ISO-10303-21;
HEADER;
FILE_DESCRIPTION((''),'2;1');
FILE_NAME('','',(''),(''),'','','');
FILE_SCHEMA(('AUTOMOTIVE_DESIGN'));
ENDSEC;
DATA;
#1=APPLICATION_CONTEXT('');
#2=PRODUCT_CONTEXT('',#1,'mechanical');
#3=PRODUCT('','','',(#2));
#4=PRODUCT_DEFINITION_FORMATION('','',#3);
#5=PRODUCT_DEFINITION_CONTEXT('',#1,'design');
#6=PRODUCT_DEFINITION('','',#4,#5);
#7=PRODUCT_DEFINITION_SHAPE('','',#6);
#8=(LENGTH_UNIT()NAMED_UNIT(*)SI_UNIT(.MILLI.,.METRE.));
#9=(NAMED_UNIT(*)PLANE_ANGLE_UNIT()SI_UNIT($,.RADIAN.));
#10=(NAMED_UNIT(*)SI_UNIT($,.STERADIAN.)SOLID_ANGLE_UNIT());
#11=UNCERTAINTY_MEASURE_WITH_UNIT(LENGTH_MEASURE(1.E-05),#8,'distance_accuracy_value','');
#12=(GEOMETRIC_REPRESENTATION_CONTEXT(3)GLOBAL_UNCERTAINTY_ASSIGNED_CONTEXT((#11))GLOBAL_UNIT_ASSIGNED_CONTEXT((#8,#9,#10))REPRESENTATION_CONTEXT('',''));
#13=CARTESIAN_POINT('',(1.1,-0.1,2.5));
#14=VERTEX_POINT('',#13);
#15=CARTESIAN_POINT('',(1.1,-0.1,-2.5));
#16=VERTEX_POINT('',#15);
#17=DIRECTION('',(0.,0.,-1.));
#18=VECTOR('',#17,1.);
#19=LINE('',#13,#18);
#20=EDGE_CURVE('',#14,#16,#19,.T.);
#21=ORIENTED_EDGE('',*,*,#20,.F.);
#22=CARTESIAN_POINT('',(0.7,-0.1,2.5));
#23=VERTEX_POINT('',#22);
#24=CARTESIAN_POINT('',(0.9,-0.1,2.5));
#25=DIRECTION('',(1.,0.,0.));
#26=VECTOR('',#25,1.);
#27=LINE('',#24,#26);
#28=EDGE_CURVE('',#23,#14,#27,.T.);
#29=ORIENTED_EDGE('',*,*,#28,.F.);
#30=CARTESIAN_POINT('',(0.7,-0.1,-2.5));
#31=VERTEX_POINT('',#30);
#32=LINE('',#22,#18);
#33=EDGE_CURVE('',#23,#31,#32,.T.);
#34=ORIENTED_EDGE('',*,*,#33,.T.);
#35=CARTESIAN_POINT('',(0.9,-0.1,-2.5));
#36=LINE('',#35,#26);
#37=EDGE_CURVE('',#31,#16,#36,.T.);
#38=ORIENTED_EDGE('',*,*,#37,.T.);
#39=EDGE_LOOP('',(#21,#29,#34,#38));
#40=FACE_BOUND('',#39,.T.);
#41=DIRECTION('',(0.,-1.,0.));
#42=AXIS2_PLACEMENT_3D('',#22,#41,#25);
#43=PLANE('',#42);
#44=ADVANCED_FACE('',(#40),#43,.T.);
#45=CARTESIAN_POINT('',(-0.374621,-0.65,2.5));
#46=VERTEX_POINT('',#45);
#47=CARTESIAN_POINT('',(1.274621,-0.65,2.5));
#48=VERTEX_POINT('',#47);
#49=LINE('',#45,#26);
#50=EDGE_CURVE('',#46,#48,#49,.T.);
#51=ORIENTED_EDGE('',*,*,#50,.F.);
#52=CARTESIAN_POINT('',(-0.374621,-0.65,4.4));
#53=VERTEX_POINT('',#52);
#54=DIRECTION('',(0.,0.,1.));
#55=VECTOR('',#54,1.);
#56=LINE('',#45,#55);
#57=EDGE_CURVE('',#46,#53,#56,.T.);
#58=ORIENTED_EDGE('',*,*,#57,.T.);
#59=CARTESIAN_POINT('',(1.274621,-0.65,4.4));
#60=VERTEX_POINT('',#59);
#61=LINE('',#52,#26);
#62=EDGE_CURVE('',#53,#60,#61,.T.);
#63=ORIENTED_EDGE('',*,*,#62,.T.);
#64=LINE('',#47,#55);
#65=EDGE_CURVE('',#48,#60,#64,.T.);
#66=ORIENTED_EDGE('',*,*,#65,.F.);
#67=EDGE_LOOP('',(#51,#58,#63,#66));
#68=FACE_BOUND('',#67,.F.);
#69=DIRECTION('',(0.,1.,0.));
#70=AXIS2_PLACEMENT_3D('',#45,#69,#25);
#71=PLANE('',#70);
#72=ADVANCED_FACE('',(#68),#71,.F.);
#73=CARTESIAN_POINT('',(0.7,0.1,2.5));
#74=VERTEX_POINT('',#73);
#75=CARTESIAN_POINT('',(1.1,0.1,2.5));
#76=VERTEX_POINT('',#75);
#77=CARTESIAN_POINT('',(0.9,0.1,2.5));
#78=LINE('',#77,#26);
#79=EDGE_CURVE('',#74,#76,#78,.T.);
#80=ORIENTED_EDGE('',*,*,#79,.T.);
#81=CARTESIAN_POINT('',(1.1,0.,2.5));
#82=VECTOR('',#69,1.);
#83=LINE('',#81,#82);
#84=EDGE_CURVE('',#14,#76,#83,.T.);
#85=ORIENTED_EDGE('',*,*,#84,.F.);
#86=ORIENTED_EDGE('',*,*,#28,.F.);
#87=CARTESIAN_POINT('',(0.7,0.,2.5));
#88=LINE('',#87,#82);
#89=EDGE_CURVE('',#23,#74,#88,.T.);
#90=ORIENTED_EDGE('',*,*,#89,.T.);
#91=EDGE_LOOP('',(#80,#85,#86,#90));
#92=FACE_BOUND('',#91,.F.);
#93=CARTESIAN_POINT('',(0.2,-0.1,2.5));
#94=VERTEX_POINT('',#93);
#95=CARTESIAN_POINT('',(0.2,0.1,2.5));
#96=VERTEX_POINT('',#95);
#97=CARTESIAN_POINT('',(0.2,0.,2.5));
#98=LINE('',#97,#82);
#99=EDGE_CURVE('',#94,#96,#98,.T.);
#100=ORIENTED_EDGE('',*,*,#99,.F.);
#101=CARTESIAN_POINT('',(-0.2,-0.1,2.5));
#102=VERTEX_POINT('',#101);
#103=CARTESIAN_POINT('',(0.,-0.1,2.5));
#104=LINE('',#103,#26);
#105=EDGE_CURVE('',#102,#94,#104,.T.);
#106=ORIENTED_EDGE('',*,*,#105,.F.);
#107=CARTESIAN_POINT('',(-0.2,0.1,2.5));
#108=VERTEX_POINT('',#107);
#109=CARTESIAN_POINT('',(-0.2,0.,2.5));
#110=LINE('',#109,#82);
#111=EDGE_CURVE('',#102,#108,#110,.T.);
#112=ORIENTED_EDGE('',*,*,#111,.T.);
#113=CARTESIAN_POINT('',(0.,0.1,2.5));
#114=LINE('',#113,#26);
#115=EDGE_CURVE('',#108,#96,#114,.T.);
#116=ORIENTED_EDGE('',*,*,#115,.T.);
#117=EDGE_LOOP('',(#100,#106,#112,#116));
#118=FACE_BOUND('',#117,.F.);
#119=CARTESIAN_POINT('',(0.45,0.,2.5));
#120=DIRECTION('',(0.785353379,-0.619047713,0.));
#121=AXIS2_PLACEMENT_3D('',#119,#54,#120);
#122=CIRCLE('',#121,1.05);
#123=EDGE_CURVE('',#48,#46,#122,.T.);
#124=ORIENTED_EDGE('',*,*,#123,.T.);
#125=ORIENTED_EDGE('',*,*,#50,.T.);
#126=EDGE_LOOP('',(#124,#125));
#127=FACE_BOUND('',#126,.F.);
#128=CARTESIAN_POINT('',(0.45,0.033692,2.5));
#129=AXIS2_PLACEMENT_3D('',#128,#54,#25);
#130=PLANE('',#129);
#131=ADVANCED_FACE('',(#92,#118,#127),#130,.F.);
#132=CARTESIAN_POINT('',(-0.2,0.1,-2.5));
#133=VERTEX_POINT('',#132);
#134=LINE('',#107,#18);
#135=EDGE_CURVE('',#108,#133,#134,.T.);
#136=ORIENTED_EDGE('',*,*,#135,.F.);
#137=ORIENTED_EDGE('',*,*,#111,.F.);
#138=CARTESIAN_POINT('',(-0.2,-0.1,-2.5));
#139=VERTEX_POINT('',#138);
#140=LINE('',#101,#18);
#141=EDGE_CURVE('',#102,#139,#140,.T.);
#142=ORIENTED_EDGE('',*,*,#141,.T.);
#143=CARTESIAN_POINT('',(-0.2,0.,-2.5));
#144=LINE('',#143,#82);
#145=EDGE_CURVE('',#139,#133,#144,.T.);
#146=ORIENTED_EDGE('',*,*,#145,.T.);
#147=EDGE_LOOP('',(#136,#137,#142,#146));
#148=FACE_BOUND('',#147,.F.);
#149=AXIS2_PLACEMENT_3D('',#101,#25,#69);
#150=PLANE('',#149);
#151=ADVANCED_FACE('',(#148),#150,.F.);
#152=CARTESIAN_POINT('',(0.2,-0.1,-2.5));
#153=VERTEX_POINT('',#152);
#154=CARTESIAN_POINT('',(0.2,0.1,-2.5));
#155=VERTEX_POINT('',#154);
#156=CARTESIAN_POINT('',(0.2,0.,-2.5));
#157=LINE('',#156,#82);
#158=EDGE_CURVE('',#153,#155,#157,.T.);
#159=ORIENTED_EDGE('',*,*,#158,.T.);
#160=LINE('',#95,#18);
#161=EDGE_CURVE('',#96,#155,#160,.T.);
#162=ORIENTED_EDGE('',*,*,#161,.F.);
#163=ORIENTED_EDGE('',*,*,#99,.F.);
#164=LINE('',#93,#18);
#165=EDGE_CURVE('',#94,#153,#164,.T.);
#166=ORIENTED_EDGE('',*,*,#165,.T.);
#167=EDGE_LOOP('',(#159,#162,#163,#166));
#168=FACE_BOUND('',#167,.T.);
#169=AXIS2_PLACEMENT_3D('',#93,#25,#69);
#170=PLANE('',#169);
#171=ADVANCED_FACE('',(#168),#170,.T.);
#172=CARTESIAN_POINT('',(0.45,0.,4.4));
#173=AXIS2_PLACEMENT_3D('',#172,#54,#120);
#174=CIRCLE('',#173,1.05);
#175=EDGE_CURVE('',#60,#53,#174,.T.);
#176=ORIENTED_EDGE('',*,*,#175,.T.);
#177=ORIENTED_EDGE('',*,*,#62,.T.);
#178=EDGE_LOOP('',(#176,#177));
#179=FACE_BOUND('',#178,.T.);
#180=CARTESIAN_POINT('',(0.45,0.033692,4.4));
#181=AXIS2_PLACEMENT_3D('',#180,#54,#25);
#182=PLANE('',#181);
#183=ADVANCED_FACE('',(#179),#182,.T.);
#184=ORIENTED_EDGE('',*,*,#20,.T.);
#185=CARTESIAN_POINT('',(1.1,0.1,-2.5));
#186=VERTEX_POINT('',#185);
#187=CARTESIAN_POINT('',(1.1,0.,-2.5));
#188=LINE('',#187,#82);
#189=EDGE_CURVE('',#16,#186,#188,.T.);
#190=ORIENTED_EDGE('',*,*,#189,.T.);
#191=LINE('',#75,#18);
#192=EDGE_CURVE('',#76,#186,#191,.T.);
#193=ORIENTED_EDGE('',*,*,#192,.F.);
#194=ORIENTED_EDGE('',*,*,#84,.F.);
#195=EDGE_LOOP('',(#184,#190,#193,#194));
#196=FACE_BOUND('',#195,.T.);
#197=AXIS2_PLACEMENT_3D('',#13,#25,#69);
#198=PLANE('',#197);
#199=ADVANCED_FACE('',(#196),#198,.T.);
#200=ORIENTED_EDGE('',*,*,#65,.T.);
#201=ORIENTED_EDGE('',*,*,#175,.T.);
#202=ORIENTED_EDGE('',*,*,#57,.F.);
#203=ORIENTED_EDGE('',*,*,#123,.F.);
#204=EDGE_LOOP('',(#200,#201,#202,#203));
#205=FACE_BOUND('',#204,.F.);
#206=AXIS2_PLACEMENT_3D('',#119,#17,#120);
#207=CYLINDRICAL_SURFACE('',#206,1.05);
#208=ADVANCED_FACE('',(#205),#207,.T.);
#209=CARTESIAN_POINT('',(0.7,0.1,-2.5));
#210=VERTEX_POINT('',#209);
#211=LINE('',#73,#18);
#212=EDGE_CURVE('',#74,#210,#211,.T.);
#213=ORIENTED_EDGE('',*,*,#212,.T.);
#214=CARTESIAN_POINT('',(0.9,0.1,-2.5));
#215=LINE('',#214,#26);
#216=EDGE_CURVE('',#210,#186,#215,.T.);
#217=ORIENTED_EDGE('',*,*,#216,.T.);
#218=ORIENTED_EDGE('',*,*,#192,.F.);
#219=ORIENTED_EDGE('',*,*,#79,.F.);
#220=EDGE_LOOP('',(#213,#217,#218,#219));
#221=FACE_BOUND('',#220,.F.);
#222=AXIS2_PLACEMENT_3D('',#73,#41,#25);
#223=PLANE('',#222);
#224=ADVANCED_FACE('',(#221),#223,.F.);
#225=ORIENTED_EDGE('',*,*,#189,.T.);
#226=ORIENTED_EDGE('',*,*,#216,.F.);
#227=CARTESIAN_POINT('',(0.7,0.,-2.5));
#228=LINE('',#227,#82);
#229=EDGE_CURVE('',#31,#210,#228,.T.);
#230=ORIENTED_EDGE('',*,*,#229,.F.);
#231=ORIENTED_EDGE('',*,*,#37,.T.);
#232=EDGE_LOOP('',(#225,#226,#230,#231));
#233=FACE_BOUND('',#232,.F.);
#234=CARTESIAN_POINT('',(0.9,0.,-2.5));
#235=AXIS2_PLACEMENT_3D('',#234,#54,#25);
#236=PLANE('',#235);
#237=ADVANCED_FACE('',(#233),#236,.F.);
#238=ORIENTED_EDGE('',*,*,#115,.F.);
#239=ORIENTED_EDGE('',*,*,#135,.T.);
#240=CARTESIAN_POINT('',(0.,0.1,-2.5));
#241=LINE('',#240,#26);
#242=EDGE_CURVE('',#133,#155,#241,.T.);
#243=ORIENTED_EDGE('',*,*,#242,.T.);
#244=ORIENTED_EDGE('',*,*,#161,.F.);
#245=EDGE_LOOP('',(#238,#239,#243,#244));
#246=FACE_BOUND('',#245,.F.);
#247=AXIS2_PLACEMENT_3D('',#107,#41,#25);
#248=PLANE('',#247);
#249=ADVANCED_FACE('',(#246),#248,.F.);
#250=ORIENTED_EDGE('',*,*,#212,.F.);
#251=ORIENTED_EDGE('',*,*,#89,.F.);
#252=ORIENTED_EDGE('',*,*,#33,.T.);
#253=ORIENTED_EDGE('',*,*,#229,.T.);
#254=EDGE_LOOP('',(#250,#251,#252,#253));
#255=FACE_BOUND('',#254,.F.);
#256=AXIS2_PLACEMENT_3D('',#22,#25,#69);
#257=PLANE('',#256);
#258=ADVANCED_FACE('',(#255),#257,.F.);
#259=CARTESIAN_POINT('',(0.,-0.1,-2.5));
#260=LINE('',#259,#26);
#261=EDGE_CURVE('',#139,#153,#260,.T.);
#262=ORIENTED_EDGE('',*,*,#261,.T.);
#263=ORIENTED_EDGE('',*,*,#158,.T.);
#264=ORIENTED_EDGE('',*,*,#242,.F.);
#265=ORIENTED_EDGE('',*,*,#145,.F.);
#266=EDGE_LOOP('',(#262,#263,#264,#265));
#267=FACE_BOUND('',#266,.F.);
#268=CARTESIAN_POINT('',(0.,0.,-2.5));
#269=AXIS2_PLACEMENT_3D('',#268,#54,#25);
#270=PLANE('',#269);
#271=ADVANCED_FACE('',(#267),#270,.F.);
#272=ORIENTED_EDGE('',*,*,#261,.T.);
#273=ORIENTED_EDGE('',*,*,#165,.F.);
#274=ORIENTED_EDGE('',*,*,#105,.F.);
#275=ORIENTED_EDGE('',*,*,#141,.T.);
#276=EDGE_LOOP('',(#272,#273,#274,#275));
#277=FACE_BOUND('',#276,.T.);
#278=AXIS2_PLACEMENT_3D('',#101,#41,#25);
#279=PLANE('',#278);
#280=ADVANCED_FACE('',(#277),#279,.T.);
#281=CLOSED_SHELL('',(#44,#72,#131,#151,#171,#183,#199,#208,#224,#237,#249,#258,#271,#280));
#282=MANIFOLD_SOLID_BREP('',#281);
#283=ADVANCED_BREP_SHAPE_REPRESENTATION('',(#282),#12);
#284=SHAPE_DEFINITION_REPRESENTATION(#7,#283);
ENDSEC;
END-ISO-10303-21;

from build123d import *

# Parameters (mm, degrees)
SKETCH001_W  = 0.4
SKETCH001_H  = 0.2
PAD001_DEPTH = 5
PAD_DEPTH    = 1.9


with BuildPart() as pad001:
    # Sketch001 → Pad001 (new body)
    with BuildSketch(Plane.XY.offset(2.5)):
        Rectangle(SKETCH001_W, SKETCH001_H)
        with Locations((0.9, 0)):
            Rectangle(SKETCH001_W, SKETCH001_H)
    extrude(amount=-PAD001_DEPTH)


with BuildPart() as pad_mp_cp:
    # Sketch → Pad (new body)
    with BuildSketch(Plane.XY.offset(2.5)):
        with BuildLine():
            Line((-0.374621, -0.65), (1.274621, -0.65))
            ThreePointArc((1.274621, -0.65), (0.45, 1.05), (-0.374621, -0.65))
        make_face()
    extrude(amount=PAD_DEPTH)

    # Pad_mp_cp: union Pad001
    add(pad001.part)


solid = pad_mp_cp.part
